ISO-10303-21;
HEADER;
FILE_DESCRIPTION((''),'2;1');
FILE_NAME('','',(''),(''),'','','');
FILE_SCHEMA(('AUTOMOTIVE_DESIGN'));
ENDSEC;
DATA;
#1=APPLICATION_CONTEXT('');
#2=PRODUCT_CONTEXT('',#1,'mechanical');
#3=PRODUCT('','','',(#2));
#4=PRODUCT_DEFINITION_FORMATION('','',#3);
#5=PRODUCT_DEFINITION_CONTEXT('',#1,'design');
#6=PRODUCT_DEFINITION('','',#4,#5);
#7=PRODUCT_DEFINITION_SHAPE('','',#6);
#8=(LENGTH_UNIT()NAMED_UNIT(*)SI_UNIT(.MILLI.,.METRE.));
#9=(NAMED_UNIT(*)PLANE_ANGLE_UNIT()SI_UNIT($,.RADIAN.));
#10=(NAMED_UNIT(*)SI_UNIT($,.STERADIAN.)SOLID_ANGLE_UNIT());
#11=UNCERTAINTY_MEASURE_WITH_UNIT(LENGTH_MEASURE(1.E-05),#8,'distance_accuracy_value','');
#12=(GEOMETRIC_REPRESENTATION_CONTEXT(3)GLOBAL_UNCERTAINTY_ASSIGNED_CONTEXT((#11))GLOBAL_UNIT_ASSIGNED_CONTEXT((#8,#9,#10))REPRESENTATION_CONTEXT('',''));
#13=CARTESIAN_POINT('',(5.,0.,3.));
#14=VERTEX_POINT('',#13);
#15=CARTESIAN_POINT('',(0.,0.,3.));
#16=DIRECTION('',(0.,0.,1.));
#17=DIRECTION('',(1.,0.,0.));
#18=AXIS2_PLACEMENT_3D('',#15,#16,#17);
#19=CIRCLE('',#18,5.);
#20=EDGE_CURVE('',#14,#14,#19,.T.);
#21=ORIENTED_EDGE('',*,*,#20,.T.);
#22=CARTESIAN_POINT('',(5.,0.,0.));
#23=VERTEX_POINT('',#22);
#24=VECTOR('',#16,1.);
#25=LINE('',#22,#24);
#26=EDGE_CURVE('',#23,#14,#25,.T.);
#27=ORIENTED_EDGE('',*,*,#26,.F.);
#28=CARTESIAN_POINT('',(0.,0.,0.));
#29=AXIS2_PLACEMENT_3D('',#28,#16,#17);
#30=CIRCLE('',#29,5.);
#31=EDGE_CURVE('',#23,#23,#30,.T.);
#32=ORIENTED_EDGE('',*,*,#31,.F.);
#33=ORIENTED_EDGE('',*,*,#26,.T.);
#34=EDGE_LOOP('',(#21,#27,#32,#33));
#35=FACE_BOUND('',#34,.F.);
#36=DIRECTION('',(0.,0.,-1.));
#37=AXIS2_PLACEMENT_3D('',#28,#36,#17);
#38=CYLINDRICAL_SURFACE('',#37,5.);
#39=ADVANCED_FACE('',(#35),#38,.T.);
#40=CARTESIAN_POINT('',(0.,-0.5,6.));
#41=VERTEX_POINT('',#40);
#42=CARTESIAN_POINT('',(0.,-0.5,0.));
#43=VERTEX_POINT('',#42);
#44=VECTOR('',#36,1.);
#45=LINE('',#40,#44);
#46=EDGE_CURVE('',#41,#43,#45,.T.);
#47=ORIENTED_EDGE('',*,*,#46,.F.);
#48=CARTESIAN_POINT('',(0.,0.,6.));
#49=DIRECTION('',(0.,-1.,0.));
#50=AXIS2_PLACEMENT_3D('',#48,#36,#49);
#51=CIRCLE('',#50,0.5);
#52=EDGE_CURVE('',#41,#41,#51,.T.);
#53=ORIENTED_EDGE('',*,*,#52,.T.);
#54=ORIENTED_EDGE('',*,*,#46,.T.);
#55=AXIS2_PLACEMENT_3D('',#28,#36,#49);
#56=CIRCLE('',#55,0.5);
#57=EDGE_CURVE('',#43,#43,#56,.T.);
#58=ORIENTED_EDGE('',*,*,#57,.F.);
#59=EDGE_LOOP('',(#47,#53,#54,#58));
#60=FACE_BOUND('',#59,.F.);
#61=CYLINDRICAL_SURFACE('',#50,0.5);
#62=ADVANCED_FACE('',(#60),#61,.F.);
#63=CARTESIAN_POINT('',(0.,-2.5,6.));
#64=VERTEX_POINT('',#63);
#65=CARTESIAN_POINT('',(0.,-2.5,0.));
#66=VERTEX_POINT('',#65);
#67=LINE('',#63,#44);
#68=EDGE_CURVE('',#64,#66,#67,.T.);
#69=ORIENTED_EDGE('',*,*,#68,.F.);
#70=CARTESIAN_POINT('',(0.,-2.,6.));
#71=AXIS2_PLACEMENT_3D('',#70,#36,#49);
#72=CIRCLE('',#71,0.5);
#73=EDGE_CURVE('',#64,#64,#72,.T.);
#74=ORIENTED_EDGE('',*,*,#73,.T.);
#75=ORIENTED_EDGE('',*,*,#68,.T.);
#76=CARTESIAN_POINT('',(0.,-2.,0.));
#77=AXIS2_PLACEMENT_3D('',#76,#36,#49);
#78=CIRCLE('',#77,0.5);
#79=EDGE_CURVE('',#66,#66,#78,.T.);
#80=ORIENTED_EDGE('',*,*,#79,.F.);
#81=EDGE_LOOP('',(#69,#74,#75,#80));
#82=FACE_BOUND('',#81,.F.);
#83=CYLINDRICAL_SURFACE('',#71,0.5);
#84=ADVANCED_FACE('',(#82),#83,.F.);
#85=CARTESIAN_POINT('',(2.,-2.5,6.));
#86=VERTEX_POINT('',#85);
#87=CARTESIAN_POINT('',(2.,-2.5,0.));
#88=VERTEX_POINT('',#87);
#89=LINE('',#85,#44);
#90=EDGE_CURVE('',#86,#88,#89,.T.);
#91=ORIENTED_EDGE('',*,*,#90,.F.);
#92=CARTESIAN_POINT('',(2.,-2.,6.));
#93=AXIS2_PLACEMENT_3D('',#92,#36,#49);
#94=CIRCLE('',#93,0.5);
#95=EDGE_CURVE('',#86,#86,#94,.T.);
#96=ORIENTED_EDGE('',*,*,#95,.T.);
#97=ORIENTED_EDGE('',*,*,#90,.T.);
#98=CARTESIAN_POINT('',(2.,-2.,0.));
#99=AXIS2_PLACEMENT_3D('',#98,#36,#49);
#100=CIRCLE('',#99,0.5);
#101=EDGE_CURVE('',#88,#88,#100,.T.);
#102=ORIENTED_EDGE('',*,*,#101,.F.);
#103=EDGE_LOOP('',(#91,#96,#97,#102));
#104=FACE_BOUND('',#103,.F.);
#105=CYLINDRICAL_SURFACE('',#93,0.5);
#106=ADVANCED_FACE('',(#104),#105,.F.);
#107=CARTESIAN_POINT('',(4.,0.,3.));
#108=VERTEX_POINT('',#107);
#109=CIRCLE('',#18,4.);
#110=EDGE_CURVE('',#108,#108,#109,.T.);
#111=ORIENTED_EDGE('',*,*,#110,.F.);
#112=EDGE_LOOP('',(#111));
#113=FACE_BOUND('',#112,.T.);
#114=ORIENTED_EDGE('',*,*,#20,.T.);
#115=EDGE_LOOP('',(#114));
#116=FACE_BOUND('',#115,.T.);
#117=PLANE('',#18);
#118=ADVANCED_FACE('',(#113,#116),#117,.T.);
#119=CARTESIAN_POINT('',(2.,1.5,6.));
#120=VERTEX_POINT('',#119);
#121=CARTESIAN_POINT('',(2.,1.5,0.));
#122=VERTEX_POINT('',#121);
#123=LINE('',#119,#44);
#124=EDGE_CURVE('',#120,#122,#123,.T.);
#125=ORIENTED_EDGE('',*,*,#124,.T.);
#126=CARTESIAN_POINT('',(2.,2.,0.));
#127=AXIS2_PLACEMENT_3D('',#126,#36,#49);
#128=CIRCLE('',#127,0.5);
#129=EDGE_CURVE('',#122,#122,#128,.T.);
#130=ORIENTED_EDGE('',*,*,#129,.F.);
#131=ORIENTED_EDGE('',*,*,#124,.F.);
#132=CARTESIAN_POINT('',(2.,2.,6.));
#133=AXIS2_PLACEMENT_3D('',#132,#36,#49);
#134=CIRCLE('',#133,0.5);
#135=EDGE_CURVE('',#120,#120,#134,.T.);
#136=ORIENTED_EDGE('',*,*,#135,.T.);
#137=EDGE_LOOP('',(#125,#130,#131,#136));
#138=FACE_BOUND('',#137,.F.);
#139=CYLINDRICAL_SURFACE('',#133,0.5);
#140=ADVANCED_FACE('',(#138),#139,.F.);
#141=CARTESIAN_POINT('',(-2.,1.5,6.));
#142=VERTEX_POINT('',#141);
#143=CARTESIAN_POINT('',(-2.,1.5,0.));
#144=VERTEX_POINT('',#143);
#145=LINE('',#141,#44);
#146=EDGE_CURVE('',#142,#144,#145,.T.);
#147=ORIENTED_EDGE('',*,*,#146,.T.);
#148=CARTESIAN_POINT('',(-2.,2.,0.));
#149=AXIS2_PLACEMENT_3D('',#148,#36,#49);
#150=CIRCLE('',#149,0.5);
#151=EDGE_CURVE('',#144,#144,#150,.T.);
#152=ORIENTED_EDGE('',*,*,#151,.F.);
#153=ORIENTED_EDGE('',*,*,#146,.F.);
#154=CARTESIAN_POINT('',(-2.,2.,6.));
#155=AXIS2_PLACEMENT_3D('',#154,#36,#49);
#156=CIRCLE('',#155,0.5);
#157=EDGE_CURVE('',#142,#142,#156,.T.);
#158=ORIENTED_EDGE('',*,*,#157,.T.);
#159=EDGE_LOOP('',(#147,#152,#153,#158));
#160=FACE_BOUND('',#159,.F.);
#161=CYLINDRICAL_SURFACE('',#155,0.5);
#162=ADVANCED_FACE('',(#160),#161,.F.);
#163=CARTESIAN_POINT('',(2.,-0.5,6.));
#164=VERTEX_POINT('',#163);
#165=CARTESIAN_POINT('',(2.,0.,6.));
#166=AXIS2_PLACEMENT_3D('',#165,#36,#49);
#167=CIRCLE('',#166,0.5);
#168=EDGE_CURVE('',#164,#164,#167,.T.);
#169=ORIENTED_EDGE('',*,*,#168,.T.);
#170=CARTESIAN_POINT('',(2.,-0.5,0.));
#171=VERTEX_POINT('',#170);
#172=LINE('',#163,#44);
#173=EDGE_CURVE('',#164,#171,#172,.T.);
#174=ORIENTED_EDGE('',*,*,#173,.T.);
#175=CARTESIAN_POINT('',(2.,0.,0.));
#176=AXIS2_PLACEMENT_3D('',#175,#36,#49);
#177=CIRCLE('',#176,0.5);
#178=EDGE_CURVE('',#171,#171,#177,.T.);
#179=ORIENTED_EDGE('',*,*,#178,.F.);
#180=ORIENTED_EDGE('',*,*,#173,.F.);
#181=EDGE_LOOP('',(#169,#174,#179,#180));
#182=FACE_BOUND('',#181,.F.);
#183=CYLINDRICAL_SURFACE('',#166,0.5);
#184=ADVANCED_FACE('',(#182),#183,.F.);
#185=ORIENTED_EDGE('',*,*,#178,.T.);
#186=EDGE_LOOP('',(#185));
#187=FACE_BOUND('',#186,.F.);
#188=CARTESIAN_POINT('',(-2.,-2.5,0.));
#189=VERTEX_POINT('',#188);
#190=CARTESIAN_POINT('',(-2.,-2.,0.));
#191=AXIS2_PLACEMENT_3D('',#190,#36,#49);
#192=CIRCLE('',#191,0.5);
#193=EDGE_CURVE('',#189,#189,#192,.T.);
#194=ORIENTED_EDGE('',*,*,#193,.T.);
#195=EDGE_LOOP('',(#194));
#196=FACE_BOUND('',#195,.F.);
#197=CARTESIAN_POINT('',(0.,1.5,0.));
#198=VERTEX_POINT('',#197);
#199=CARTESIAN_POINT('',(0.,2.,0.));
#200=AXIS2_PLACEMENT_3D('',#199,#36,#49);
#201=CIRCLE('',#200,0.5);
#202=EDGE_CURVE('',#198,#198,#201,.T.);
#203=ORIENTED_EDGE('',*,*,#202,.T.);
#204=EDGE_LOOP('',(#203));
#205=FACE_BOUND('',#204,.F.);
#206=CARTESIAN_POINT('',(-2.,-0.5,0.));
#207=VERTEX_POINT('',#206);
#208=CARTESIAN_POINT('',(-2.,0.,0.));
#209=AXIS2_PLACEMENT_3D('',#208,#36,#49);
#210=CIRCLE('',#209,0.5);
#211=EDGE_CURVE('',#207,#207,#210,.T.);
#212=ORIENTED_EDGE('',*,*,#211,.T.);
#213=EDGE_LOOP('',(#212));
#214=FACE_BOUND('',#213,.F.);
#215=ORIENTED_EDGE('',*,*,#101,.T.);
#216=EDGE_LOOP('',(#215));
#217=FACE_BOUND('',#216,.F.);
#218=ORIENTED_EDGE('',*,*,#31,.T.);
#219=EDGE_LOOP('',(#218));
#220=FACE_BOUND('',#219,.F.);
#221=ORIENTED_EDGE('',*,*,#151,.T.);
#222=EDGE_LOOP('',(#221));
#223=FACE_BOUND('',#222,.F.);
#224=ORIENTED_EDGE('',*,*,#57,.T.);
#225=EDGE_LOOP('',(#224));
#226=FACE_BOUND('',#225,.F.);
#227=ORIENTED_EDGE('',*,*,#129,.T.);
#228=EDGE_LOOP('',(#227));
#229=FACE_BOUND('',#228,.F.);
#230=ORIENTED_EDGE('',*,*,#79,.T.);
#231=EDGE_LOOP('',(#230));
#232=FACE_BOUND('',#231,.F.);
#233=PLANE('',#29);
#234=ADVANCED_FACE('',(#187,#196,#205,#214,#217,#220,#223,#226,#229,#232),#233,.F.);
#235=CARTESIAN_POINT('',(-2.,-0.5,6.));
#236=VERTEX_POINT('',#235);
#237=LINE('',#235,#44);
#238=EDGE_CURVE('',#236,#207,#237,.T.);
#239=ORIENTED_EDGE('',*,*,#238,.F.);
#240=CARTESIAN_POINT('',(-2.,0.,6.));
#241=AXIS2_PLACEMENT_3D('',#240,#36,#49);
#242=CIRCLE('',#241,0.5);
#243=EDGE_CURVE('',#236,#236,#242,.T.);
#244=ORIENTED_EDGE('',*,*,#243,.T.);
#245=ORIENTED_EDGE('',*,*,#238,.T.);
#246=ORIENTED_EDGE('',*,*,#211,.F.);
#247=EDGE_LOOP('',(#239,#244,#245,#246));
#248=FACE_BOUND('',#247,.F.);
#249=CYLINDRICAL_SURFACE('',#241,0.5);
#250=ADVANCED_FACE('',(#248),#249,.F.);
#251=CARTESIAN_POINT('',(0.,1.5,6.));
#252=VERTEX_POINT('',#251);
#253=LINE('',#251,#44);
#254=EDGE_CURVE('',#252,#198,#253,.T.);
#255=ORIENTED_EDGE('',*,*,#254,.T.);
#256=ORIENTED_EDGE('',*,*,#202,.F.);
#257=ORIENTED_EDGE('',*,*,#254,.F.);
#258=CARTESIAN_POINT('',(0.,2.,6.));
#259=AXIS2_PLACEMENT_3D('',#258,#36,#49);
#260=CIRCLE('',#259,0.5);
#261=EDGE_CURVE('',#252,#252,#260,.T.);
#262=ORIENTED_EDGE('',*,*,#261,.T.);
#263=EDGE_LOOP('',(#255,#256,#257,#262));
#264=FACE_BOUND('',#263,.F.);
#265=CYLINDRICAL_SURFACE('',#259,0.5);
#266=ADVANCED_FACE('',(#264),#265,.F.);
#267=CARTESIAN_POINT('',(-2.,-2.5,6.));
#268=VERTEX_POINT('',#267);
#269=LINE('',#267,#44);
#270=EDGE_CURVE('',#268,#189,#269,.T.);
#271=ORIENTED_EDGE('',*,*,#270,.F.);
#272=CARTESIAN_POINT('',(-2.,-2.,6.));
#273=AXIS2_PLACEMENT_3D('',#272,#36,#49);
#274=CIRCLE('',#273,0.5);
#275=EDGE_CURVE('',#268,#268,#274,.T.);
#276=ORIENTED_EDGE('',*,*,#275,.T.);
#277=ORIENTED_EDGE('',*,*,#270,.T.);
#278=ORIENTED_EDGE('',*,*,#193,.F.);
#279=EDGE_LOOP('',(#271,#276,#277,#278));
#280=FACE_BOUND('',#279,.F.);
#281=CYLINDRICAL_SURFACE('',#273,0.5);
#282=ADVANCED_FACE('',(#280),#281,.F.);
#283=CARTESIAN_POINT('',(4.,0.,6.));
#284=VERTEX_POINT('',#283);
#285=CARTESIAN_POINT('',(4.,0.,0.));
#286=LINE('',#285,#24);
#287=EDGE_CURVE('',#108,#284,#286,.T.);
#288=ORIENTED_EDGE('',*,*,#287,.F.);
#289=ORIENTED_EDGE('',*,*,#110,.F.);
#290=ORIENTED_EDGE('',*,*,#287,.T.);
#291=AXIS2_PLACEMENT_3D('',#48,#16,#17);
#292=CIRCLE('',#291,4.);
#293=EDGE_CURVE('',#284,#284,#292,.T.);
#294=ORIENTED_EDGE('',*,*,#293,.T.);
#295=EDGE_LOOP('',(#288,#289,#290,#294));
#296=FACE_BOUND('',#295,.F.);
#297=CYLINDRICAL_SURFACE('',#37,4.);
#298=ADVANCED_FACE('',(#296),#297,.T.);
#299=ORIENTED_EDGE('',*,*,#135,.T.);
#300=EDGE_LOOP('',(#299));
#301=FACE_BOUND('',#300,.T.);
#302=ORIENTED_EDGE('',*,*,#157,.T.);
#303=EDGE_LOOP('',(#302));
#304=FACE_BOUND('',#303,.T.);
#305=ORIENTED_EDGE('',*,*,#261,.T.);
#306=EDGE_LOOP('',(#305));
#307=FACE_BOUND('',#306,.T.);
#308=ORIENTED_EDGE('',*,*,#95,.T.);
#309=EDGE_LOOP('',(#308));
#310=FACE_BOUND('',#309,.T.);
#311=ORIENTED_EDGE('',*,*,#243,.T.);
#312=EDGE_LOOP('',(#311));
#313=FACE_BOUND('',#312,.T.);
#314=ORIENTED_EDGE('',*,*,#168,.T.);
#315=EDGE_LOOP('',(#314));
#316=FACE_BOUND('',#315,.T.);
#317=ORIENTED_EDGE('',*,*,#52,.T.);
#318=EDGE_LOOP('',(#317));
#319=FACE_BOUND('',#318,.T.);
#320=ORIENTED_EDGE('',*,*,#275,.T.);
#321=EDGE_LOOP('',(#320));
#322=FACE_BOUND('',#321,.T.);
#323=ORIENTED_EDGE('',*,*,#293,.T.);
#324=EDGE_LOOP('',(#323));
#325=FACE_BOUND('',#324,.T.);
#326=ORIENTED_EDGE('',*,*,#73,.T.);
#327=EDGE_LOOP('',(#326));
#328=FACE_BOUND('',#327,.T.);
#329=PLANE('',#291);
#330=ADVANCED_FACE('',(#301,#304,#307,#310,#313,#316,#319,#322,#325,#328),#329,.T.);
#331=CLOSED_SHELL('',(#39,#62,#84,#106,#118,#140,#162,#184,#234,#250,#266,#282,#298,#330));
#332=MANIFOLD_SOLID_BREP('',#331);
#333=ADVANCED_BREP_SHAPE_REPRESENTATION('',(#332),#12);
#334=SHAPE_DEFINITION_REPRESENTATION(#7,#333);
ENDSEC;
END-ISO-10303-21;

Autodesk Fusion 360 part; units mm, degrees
sketch "Sketch1" plane through (0, 0, 0) normal (0, 0, 1) x (1, 0, 0)
  circle A0 centre (0, 0) radius 4
  circle A1 centre (0, 0) radius 5
  dimension "d1" = 8
  dimension "d2" = 1
extrude "Extrude1" add sketch "Sketch1" along normal blind 3
extrude "Extrude2" add sketch "Sketch1" along normal blind 6 contours A0
sketch "Sketch2" plane through (0, 0, 6) normal (0, 0, 1) x (-1, 0, 0)
  circle A0 centre (0, 0) radius 4
  circle A1 centre (-2, 2) radius 0.5
  circle A2 centre (0, 2) radius 0.5
  circle A3 centre (2, 2) radius 0.5
  circle A4 centre (-2, 0) radius 0.5
  circle A5 centre (0, 0) radius 0.5
  circle A6 centre (2, 0) radius 0.5
  circle A7 centre (-2, -2) radius 0.5
  circle A8 centre (0, -2) radius 0.5
  circle A9 centre (2, -2) radius 0.5
  point P0 (-2, 2)
  dimension "d7" = 1
  dimension "d8" = 1
  dimension "d9" = 1
  dimension "d10" = 1
  dimension "d11" = 1
  dimension "d12" = 1
  dimension "d13" = 1
  dimension "d14" = 1
  dimension "d15" = 1
hole "Hole1" at (2, -2, 6) at (0, -2, 6) at (-2, -2, 6) at (2, 0, 6) at (0, 0, 6) at (-2, 0, 6) at (2, 2, 6) at (0, 2, 6) at (-2, 2, 6) direction (0, 0, -1) diameter 1 depth 6 tip angle 180
